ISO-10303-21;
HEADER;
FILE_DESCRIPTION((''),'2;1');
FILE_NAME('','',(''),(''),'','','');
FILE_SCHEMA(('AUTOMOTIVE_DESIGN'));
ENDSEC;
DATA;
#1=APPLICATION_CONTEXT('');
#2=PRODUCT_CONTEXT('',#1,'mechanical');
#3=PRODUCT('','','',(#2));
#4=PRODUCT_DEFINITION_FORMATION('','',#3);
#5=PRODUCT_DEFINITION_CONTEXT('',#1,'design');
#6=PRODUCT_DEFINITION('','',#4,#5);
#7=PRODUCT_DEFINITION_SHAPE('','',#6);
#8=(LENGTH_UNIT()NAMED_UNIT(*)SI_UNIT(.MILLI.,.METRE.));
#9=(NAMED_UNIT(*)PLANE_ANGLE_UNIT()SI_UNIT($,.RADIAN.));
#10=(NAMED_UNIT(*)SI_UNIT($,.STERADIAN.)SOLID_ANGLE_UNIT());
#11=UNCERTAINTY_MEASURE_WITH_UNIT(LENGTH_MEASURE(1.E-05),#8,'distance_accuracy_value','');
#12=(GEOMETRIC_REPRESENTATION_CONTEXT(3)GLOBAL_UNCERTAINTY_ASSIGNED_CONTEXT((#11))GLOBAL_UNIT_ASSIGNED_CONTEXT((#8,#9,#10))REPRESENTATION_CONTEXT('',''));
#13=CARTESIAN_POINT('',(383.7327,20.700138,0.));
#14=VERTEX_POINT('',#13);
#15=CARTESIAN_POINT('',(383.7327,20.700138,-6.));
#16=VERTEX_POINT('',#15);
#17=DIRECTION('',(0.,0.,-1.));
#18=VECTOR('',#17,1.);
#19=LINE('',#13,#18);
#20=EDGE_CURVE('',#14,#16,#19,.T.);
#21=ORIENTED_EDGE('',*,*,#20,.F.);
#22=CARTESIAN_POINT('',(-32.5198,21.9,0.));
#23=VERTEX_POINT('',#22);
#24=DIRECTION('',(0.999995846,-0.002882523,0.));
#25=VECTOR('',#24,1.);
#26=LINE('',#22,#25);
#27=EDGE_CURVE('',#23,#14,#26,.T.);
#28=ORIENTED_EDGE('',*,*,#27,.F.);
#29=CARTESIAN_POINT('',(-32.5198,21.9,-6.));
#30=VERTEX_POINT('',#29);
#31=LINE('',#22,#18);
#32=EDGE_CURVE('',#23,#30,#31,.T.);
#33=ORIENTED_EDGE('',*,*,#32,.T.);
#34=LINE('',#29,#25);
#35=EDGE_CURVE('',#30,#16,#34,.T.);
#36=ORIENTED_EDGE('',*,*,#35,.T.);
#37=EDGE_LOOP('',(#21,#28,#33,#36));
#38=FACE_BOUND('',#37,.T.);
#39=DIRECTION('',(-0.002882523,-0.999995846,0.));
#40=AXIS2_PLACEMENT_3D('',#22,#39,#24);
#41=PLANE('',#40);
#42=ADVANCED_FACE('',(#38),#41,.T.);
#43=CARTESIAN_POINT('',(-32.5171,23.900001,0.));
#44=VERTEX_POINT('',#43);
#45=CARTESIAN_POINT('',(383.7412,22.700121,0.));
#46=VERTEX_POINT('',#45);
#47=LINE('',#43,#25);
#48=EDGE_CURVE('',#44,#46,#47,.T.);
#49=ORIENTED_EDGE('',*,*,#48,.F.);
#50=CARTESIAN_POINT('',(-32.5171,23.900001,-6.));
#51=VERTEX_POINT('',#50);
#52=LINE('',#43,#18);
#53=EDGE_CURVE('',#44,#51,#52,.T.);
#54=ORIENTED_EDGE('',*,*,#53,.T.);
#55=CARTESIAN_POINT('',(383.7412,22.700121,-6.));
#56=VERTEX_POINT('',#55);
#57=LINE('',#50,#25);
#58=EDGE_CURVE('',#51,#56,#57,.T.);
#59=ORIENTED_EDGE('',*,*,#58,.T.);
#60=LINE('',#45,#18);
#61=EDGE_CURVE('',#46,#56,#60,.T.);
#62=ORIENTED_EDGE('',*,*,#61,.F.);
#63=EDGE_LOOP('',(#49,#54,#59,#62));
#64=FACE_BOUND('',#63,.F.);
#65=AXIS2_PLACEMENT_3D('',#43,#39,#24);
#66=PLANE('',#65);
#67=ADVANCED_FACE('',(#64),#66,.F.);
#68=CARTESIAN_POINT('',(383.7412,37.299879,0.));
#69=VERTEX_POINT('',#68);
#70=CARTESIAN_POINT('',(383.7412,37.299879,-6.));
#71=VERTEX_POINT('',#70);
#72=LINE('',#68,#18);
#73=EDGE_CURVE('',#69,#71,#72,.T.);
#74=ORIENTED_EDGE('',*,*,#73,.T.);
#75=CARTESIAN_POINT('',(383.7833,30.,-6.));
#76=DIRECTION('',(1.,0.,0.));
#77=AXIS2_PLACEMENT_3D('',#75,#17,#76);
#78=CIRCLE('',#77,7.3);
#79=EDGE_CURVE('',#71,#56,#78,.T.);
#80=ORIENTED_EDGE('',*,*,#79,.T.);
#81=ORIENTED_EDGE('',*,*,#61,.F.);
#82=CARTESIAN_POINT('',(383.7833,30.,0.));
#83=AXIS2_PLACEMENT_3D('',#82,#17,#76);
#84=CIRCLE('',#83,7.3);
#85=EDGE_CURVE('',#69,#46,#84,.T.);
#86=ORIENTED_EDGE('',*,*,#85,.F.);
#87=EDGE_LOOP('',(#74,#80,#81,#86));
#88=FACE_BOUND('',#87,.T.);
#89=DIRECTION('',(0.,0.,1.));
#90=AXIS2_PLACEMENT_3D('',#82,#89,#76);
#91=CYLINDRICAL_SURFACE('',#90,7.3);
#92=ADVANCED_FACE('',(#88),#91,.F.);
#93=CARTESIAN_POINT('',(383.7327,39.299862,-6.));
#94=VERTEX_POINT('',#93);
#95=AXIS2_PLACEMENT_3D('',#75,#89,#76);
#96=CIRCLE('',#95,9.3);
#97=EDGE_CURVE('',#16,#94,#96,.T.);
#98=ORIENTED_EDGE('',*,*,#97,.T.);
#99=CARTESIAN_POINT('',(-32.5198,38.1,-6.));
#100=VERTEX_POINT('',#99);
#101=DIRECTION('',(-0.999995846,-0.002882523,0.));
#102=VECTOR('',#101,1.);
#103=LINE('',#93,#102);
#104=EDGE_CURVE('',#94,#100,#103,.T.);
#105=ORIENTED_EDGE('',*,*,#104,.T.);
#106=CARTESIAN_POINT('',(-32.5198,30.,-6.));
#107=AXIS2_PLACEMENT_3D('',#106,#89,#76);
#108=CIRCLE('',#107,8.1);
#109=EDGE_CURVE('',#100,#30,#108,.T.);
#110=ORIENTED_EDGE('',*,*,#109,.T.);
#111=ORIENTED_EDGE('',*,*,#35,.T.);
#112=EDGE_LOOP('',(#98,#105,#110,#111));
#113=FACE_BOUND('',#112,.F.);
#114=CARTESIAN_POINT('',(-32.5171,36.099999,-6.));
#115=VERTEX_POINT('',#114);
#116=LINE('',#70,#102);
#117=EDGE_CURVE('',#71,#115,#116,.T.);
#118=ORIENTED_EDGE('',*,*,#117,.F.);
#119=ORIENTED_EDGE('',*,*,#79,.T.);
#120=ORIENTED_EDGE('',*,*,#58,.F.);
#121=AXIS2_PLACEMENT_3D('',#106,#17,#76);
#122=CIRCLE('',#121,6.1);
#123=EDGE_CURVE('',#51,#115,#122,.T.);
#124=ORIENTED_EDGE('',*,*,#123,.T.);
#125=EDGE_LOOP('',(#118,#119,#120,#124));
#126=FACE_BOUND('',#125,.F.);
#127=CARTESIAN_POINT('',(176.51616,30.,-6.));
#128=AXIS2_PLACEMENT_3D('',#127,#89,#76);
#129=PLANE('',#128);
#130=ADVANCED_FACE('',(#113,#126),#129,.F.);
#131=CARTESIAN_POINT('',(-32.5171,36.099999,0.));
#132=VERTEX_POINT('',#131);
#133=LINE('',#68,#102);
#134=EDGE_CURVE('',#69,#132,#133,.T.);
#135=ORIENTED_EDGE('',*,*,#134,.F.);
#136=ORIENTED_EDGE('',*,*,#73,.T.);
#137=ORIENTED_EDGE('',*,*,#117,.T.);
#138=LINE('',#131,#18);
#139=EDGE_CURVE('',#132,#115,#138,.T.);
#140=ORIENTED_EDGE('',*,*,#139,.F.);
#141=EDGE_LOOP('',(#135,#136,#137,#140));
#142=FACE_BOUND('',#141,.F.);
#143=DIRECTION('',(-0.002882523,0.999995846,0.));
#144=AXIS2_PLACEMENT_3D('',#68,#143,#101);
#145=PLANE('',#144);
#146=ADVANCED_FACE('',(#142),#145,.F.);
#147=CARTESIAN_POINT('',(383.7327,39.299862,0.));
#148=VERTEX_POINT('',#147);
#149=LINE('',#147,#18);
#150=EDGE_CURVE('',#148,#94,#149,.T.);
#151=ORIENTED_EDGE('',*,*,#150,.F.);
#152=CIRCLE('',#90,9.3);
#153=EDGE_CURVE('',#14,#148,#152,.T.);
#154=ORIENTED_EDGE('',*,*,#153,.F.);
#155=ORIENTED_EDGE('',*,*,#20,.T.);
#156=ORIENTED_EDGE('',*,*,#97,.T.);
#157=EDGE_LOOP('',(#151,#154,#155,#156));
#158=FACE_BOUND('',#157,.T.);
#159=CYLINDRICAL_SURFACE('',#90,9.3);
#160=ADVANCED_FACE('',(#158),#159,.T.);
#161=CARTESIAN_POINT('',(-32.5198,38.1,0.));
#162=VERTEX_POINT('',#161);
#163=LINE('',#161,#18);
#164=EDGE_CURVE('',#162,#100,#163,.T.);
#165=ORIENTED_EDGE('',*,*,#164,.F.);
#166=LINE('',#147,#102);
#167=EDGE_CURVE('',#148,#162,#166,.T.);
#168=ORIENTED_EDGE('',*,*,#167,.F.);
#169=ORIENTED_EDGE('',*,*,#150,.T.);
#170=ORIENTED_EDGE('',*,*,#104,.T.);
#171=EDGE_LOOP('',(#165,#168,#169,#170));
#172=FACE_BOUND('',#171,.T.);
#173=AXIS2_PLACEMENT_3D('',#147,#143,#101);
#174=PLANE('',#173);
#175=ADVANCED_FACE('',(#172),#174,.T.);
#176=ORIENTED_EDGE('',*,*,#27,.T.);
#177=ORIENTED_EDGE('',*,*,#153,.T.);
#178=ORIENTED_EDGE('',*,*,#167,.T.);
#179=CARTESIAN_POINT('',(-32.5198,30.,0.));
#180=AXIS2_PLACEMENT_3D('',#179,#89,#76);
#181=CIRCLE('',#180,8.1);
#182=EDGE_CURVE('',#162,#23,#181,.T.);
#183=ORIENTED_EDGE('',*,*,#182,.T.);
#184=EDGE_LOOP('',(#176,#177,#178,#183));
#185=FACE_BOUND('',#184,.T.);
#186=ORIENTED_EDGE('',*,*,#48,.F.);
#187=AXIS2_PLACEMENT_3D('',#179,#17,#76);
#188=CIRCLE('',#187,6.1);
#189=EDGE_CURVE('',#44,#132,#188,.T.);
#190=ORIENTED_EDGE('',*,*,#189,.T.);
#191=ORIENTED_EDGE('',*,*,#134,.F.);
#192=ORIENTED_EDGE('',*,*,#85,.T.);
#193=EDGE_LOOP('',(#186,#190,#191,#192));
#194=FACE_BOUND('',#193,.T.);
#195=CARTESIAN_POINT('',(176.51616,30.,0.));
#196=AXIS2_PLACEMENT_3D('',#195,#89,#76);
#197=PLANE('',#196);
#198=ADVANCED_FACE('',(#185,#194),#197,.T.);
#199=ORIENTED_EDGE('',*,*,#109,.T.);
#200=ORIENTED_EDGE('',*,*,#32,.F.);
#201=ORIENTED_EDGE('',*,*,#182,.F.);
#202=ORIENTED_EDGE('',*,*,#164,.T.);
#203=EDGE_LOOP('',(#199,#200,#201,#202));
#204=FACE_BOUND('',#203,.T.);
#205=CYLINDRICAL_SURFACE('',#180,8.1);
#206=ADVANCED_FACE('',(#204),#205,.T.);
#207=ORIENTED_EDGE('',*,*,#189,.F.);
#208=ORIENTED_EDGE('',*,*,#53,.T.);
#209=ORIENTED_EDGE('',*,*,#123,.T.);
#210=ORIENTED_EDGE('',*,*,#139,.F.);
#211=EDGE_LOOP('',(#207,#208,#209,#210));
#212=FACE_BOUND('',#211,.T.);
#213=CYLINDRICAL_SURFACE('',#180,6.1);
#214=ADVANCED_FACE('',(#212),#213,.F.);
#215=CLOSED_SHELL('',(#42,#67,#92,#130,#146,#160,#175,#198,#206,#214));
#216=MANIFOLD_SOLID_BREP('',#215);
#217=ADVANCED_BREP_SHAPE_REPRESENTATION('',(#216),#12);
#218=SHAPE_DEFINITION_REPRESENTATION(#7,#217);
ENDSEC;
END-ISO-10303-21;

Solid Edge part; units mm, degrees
sketch "Sketch1" plane through (0, 0, 0) normal (0, 0, 1) x (1, 0, 0)
  line L0 (-32.5171, 23.9) -> (383.7412, 22.7001)
  line L1 (383.7412, 37.2999) -> (-32.5171, 36.1)
  arc A0 (383.7412, 37.2999) -> (383.7412, 22.7001) centre (383.7833, 30) cw
  arc A1 (-32.5171, 23.9) -> (-32.5171, 36.1) centre (-32.5198, 30) cw
  line L2 (-32.5198, 21.9) -> (383.7327, 20.7001)
  arc A2 (383.7327, 20.7001) -> (383.7327, 39.2999) centre (383.7833, 30) ccw
  line L3 (383.7327, 39.2999) -> (-32.5198, 38.1)
  arc A3 (-32.5198, 38.1) -> (-32.5198, 21.9) centre (-32.5198, 30) ccw
extrude "Protrusion1" add sketch "Sketch1" against normal blind 6
properties material "Polyurethene"
